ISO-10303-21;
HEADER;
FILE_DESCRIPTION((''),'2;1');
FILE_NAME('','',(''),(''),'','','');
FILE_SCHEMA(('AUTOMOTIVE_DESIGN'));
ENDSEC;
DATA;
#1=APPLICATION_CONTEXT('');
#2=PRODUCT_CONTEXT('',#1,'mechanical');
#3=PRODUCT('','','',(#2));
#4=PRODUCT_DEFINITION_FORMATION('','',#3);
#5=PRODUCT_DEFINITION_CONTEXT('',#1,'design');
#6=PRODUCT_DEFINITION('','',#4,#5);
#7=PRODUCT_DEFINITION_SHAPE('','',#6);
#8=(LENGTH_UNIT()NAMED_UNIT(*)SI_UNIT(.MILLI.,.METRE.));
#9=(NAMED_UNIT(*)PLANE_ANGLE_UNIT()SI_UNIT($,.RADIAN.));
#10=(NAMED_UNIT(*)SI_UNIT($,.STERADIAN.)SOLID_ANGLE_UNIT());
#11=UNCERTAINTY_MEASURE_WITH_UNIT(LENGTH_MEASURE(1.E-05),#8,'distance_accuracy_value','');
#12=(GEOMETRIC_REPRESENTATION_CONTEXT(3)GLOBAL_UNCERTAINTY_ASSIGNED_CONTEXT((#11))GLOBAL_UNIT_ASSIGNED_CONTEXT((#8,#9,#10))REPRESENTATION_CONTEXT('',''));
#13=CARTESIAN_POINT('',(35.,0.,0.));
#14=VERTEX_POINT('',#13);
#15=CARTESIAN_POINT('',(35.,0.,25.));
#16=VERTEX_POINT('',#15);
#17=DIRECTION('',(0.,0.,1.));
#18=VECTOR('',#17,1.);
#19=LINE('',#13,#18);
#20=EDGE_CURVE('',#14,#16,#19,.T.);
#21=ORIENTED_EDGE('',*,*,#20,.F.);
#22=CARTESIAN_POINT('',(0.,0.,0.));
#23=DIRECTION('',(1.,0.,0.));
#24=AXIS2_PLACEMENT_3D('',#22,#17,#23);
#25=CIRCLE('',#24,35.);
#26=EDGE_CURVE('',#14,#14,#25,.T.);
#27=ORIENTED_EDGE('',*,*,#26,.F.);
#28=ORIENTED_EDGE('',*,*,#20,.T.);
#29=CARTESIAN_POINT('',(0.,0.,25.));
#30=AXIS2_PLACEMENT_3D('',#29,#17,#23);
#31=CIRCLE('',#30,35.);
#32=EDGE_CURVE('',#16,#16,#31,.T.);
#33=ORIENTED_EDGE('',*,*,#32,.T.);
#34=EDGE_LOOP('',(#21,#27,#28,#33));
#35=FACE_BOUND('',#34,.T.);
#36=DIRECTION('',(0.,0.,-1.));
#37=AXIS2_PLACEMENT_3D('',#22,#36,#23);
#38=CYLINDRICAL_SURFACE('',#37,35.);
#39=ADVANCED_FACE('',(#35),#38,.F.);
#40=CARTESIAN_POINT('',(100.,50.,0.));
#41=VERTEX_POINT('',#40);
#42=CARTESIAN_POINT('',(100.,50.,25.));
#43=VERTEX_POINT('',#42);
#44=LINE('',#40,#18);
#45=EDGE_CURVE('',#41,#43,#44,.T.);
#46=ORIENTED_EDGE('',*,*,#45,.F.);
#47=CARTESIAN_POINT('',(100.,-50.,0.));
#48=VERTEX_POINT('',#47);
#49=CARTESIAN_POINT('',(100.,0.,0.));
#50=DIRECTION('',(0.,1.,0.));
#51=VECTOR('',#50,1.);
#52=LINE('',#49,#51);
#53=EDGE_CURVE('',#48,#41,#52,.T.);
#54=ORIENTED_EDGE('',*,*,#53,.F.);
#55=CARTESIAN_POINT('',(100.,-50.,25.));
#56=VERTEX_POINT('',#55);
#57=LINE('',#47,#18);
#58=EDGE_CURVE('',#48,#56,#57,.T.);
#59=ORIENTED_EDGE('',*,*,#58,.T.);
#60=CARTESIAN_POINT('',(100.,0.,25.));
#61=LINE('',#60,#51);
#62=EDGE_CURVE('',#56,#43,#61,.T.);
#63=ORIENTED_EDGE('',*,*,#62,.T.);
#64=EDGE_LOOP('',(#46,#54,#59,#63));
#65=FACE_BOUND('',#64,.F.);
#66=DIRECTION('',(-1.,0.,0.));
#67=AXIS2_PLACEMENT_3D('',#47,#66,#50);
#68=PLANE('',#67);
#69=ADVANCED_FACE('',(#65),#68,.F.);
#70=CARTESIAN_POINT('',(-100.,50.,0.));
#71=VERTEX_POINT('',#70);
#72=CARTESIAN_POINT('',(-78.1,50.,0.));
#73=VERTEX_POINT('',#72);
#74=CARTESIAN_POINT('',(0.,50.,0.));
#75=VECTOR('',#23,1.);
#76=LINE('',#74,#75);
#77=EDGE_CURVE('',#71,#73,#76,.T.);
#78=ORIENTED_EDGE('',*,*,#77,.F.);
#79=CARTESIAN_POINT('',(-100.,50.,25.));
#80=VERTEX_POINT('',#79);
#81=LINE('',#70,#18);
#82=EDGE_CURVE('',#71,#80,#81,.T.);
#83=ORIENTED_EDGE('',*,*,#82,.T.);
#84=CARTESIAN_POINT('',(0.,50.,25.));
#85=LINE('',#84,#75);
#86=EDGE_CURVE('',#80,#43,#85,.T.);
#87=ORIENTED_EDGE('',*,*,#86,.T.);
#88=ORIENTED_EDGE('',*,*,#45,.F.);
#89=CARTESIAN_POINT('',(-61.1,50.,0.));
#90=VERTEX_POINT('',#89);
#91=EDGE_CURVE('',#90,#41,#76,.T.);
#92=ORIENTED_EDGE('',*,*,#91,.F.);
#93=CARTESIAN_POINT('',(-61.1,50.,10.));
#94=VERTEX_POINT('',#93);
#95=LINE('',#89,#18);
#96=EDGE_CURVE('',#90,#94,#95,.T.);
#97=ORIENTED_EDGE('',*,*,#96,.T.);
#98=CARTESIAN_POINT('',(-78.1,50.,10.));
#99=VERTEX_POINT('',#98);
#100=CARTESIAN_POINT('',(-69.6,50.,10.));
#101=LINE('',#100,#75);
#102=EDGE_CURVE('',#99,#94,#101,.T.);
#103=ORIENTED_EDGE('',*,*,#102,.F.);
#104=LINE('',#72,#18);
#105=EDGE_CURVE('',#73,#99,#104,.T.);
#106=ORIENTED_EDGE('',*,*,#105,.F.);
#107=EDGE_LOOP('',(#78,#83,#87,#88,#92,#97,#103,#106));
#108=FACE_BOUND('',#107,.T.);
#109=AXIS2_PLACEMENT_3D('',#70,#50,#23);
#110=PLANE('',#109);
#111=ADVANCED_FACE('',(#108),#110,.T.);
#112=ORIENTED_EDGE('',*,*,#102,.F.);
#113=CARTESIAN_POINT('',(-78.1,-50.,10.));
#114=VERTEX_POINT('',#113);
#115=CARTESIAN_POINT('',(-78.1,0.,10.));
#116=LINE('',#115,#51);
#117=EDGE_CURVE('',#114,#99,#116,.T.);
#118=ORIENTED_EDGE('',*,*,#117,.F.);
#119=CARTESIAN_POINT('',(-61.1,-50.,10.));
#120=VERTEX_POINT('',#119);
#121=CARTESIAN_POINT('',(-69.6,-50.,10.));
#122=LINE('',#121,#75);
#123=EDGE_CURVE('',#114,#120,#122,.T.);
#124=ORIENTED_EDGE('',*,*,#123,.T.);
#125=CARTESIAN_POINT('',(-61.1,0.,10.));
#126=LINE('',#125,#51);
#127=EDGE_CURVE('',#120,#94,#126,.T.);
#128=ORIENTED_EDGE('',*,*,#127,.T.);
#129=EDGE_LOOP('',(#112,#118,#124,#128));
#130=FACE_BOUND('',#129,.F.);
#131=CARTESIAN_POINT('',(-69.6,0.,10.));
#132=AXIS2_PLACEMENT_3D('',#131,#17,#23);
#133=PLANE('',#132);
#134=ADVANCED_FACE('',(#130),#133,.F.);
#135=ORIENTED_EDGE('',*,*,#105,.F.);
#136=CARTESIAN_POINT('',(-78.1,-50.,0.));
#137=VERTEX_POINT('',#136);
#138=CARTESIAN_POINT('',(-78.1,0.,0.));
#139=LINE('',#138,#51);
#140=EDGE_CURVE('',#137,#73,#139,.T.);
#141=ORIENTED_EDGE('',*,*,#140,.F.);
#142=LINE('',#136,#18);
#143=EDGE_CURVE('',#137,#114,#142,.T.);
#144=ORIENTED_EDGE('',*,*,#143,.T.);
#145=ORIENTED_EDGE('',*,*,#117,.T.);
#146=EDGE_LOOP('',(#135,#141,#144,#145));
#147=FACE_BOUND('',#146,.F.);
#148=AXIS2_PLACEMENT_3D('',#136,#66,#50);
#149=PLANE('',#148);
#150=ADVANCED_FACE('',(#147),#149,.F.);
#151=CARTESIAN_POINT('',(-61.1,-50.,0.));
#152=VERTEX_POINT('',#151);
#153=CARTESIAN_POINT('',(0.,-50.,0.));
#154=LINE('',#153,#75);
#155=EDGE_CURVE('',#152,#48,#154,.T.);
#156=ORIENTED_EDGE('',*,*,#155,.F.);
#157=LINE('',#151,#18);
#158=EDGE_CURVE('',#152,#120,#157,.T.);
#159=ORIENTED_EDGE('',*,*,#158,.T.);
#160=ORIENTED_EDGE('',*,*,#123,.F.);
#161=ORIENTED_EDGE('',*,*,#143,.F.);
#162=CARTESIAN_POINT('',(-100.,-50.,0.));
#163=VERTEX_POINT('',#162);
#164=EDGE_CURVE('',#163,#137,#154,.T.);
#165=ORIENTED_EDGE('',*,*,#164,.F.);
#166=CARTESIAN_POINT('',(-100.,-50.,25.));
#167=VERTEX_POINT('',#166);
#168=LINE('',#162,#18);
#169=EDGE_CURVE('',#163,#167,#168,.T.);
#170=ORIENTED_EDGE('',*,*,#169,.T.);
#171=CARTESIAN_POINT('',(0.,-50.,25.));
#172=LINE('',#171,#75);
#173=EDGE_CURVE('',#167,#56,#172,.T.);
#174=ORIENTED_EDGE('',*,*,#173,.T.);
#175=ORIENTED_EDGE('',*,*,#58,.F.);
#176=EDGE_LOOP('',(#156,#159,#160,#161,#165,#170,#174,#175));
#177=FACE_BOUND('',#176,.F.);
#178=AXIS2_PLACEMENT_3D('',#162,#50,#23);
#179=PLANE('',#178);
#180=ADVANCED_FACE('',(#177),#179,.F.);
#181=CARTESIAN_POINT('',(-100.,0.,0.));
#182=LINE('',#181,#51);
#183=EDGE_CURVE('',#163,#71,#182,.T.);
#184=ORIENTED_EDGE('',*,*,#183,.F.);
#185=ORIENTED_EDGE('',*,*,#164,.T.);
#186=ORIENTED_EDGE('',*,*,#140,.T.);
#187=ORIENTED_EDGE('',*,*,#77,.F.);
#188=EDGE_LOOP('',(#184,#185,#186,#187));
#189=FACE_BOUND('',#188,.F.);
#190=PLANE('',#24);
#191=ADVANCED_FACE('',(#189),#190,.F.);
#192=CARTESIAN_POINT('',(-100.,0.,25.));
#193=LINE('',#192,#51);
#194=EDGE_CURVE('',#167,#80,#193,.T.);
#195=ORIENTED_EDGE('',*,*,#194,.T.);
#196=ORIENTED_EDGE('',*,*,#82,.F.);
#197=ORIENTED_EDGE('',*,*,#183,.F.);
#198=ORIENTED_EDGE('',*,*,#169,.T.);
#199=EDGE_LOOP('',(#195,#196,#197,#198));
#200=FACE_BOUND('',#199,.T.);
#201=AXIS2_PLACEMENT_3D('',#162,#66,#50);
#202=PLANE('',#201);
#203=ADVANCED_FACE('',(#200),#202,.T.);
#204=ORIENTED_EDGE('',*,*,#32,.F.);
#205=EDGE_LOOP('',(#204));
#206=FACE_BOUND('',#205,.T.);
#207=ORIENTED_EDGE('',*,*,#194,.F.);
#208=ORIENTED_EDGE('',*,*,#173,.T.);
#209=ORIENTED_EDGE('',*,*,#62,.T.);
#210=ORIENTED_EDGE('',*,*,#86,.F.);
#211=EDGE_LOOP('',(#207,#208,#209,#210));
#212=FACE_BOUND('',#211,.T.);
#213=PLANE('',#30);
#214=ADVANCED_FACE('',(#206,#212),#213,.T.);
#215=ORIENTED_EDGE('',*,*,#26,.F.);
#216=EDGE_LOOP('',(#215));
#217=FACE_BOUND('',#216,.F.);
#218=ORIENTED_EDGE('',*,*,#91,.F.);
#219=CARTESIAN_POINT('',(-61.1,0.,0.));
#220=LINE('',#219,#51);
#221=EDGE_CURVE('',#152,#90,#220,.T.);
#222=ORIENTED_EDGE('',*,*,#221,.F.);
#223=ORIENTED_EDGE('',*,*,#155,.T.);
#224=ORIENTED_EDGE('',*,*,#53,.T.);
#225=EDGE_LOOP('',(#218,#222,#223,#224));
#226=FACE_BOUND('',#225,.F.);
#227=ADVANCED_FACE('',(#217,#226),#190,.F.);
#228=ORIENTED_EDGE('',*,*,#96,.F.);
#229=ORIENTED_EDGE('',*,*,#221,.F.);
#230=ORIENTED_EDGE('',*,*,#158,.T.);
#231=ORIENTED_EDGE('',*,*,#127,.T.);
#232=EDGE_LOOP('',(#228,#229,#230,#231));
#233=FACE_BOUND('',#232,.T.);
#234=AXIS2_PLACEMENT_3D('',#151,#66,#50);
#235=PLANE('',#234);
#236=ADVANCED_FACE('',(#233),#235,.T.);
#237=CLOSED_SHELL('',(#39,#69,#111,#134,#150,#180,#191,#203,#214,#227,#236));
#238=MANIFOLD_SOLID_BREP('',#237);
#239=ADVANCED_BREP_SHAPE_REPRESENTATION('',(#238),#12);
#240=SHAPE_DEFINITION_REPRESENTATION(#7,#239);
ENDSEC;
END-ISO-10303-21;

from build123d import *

# Parameters (mm, degrees)
F0_W     = 200
F0_H     = 100
F0_R     = 35
F1_DEPTH = 25
F2_W     = 17
F2_H     = 100
F3_DEPTH = 10


with BuildPart() as f1:
    # F0 (on Top) → F1 (new body)
    with BuildSketch(Plane.XY):
        Rectangle(F0_W, F0_H)
        Circle(F0_R, mode=Mode.SUBTRACT)
    extrude(amount=F1_DEPTH)

    # F2 (on Top) → F3 (cut)
    with BuildSketch(Plane.XY):
        with Locations((-69.6, 0)):
            Rectangle(F2_W, F2_H)
    extrude(amount=F3_DEPTH, mode=Mode.SUBTRACT)


solid = f1.part
